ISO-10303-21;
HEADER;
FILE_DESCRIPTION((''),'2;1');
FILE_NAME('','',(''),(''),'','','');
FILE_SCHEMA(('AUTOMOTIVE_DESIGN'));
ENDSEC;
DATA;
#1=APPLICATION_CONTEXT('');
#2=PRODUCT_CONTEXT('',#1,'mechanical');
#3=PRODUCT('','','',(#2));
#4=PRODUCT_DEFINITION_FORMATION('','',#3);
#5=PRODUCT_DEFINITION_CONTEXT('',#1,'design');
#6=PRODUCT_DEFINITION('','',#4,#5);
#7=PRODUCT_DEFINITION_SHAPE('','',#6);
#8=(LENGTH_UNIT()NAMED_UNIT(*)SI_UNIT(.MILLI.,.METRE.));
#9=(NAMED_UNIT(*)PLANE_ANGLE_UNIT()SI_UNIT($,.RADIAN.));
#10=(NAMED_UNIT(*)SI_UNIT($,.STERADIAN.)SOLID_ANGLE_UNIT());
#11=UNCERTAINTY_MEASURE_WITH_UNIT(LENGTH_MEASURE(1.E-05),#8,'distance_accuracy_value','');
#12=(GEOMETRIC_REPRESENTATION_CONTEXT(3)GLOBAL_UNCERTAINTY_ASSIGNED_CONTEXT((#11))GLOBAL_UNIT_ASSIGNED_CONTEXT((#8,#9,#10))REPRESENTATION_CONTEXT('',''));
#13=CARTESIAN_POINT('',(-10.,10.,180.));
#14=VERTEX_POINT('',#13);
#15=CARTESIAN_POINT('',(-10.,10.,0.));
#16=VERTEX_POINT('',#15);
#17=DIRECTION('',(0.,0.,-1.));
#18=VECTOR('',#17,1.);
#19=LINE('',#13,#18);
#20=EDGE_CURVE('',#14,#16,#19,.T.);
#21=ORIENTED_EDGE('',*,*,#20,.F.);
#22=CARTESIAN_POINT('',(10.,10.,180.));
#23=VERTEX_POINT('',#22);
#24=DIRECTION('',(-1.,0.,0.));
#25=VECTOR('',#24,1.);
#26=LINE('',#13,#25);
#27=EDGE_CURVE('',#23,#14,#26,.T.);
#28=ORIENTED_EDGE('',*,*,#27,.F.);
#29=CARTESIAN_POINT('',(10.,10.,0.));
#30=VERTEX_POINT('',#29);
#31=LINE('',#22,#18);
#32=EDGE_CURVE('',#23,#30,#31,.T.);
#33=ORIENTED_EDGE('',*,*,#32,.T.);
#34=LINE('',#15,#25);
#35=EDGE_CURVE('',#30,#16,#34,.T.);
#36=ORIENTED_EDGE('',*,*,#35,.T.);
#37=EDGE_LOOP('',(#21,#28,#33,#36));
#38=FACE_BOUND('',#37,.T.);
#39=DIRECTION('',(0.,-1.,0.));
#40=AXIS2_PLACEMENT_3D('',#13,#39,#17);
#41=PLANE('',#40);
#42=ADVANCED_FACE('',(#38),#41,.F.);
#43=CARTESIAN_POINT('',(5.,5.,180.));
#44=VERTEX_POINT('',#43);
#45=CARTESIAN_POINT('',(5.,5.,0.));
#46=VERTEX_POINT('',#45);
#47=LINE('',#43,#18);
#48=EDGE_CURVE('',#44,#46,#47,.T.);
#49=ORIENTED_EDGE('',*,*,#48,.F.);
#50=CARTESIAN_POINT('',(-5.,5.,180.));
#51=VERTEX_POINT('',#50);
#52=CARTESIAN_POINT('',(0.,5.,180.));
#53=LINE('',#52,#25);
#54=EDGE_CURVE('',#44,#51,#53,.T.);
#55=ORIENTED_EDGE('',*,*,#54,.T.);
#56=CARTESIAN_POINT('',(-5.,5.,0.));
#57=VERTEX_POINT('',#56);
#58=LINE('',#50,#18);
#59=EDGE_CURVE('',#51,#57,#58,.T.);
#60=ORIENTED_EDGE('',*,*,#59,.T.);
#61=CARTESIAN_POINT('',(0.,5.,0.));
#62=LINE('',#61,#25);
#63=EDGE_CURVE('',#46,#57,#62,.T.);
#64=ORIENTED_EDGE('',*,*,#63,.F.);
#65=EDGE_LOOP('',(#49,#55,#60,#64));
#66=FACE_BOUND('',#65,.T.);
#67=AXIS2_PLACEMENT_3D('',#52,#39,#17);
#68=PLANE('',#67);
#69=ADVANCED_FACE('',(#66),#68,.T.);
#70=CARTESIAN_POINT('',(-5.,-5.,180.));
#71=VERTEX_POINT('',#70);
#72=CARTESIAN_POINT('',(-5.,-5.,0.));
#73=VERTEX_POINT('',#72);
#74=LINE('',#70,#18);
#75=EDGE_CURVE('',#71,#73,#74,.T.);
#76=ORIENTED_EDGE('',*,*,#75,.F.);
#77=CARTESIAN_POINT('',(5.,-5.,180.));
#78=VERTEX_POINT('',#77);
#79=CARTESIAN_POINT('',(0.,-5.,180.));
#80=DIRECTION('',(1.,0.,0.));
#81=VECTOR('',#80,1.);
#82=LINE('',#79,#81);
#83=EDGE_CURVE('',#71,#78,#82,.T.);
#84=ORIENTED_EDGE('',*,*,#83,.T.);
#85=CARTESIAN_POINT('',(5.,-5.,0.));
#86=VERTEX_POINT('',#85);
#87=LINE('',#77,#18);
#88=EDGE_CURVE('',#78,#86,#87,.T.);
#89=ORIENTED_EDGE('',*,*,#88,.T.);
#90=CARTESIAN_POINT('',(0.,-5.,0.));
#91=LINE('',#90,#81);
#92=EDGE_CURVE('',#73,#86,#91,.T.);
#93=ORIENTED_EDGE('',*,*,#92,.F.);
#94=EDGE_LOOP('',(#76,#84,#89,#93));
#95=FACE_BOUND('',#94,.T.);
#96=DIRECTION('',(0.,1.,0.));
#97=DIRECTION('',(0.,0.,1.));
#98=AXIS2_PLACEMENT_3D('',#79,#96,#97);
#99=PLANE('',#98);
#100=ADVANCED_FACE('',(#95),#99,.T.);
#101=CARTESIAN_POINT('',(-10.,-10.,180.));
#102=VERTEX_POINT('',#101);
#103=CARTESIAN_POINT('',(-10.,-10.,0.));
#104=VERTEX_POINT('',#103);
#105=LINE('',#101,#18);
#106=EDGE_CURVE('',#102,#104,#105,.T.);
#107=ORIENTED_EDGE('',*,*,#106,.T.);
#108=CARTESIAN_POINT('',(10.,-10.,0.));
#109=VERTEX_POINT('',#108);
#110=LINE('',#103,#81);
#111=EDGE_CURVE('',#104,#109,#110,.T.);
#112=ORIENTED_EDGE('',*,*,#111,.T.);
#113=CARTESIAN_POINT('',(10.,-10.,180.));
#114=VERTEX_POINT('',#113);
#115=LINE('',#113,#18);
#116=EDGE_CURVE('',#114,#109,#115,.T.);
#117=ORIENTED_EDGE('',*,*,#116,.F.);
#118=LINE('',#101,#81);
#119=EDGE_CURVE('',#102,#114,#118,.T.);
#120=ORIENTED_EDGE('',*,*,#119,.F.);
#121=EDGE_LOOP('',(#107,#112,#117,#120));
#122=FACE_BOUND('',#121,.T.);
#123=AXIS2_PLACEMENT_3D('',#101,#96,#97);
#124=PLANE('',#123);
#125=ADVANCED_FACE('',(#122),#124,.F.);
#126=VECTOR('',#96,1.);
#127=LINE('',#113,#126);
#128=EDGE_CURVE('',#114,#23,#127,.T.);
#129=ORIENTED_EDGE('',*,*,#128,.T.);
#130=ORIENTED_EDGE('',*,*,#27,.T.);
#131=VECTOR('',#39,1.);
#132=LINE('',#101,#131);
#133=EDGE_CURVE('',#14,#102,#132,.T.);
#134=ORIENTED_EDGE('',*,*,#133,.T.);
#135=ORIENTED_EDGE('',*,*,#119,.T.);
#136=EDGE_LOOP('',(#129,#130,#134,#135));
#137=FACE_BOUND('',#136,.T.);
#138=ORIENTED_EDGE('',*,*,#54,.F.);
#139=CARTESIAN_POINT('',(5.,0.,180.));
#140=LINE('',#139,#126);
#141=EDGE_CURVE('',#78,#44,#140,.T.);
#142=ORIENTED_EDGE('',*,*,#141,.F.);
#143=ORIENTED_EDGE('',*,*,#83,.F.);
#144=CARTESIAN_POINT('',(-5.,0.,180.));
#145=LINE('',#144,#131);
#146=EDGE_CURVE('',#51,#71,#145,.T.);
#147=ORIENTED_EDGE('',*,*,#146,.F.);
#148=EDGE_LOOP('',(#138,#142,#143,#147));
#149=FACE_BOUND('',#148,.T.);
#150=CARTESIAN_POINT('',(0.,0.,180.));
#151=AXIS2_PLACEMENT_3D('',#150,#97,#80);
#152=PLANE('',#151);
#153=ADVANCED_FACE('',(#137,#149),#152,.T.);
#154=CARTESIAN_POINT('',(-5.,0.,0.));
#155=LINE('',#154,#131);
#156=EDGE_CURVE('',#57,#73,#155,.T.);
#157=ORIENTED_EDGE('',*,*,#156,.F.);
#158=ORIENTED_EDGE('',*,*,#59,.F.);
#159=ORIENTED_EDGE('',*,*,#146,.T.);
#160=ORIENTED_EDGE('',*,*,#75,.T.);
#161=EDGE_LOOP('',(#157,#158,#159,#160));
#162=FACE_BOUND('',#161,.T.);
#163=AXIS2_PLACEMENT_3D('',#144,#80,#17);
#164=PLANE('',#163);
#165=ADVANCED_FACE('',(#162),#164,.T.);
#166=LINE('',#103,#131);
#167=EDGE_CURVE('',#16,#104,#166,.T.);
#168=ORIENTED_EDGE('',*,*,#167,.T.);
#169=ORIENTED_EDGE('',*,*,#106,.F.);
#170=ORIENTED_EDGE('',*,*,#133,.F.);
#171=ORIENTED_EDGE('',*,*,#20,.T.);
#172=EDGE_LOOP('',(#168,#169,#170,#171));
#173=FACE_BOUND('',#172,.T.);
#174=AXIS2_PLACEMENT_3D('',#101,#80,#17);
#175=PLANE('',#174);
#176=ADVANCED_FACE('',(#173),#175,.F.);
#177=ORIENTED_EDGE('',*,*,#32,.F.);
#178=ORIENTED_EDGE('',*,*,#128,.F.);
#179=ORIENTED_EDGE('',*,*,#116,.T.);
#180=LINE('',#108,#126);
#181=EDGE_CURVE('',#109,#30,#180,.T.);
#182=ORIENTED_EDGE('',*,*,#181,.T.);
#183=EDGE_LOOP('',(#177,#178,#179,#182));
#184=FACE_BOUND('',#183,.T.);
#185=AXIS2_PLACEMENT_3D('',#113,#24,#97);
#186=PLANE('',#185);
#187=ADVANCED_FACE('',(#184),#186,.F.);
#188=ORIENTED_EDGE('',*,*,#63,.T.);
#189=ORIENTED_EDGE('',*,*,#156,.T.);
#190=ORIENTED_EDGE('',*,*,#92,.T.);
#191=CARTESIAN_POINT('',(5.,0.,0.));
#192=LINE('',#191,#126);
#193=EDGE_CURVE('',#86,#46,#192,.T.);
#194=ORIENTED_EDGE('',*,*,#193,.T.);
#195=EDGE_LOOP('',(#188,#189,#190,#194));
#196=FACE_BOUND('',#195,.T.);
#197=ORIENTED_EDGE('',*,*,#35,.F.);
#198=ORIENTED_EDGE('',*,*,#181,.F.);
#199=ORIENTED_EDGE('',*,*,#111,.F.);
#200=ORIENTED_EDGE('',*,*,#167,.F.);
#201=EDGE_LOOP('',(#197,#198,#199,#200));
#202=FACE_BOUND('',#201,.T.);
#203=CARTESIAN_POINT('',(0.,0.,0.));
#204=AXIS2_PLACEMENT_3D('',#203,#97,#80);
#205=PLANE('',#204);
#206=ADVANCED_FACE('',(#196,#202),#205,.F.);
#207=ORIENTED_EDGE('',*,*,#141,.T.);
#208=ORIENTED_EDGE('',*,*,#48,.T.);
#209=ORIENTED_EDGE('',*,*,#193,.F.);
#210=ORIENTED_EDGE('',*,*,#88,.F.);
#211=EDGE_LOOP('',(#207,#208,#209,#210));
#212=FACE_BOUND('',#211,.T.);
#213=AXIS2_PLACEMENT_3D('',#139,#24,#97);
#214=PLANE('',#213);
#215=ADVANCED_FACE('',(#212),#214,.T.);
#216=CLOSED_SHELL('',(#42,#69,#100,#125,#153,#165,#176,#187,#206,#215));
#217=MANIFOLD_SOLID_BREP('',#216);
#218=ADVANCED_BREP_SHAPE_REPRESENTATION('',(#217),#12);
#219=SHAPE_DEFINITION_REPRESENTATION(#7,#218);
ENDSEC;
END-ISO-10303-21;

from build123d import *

# Parameters (mm, degrees)
SKETCH1_W           = 20
SKETCH1_H           = 20
SKETCH1_W_2         = 10
SKETCH1_H_2         = 10
EXTRUDE_THIN1_DEPTH = 180


with BuildPart() as part:
    # Sketch1 → Extrude-Thin1 (new body)
    with BuildSketch(Plane.XY):
        Rectangle(SKETCH1_W, SKETCH1_H)
        Rectangle(SKETCH1_W_2, SKETCH1_H_2, mode=Mode.SUBTRACT)
    extrude(amount=EXTRUDE_THIN1_DEPTH)


solid = part.part
